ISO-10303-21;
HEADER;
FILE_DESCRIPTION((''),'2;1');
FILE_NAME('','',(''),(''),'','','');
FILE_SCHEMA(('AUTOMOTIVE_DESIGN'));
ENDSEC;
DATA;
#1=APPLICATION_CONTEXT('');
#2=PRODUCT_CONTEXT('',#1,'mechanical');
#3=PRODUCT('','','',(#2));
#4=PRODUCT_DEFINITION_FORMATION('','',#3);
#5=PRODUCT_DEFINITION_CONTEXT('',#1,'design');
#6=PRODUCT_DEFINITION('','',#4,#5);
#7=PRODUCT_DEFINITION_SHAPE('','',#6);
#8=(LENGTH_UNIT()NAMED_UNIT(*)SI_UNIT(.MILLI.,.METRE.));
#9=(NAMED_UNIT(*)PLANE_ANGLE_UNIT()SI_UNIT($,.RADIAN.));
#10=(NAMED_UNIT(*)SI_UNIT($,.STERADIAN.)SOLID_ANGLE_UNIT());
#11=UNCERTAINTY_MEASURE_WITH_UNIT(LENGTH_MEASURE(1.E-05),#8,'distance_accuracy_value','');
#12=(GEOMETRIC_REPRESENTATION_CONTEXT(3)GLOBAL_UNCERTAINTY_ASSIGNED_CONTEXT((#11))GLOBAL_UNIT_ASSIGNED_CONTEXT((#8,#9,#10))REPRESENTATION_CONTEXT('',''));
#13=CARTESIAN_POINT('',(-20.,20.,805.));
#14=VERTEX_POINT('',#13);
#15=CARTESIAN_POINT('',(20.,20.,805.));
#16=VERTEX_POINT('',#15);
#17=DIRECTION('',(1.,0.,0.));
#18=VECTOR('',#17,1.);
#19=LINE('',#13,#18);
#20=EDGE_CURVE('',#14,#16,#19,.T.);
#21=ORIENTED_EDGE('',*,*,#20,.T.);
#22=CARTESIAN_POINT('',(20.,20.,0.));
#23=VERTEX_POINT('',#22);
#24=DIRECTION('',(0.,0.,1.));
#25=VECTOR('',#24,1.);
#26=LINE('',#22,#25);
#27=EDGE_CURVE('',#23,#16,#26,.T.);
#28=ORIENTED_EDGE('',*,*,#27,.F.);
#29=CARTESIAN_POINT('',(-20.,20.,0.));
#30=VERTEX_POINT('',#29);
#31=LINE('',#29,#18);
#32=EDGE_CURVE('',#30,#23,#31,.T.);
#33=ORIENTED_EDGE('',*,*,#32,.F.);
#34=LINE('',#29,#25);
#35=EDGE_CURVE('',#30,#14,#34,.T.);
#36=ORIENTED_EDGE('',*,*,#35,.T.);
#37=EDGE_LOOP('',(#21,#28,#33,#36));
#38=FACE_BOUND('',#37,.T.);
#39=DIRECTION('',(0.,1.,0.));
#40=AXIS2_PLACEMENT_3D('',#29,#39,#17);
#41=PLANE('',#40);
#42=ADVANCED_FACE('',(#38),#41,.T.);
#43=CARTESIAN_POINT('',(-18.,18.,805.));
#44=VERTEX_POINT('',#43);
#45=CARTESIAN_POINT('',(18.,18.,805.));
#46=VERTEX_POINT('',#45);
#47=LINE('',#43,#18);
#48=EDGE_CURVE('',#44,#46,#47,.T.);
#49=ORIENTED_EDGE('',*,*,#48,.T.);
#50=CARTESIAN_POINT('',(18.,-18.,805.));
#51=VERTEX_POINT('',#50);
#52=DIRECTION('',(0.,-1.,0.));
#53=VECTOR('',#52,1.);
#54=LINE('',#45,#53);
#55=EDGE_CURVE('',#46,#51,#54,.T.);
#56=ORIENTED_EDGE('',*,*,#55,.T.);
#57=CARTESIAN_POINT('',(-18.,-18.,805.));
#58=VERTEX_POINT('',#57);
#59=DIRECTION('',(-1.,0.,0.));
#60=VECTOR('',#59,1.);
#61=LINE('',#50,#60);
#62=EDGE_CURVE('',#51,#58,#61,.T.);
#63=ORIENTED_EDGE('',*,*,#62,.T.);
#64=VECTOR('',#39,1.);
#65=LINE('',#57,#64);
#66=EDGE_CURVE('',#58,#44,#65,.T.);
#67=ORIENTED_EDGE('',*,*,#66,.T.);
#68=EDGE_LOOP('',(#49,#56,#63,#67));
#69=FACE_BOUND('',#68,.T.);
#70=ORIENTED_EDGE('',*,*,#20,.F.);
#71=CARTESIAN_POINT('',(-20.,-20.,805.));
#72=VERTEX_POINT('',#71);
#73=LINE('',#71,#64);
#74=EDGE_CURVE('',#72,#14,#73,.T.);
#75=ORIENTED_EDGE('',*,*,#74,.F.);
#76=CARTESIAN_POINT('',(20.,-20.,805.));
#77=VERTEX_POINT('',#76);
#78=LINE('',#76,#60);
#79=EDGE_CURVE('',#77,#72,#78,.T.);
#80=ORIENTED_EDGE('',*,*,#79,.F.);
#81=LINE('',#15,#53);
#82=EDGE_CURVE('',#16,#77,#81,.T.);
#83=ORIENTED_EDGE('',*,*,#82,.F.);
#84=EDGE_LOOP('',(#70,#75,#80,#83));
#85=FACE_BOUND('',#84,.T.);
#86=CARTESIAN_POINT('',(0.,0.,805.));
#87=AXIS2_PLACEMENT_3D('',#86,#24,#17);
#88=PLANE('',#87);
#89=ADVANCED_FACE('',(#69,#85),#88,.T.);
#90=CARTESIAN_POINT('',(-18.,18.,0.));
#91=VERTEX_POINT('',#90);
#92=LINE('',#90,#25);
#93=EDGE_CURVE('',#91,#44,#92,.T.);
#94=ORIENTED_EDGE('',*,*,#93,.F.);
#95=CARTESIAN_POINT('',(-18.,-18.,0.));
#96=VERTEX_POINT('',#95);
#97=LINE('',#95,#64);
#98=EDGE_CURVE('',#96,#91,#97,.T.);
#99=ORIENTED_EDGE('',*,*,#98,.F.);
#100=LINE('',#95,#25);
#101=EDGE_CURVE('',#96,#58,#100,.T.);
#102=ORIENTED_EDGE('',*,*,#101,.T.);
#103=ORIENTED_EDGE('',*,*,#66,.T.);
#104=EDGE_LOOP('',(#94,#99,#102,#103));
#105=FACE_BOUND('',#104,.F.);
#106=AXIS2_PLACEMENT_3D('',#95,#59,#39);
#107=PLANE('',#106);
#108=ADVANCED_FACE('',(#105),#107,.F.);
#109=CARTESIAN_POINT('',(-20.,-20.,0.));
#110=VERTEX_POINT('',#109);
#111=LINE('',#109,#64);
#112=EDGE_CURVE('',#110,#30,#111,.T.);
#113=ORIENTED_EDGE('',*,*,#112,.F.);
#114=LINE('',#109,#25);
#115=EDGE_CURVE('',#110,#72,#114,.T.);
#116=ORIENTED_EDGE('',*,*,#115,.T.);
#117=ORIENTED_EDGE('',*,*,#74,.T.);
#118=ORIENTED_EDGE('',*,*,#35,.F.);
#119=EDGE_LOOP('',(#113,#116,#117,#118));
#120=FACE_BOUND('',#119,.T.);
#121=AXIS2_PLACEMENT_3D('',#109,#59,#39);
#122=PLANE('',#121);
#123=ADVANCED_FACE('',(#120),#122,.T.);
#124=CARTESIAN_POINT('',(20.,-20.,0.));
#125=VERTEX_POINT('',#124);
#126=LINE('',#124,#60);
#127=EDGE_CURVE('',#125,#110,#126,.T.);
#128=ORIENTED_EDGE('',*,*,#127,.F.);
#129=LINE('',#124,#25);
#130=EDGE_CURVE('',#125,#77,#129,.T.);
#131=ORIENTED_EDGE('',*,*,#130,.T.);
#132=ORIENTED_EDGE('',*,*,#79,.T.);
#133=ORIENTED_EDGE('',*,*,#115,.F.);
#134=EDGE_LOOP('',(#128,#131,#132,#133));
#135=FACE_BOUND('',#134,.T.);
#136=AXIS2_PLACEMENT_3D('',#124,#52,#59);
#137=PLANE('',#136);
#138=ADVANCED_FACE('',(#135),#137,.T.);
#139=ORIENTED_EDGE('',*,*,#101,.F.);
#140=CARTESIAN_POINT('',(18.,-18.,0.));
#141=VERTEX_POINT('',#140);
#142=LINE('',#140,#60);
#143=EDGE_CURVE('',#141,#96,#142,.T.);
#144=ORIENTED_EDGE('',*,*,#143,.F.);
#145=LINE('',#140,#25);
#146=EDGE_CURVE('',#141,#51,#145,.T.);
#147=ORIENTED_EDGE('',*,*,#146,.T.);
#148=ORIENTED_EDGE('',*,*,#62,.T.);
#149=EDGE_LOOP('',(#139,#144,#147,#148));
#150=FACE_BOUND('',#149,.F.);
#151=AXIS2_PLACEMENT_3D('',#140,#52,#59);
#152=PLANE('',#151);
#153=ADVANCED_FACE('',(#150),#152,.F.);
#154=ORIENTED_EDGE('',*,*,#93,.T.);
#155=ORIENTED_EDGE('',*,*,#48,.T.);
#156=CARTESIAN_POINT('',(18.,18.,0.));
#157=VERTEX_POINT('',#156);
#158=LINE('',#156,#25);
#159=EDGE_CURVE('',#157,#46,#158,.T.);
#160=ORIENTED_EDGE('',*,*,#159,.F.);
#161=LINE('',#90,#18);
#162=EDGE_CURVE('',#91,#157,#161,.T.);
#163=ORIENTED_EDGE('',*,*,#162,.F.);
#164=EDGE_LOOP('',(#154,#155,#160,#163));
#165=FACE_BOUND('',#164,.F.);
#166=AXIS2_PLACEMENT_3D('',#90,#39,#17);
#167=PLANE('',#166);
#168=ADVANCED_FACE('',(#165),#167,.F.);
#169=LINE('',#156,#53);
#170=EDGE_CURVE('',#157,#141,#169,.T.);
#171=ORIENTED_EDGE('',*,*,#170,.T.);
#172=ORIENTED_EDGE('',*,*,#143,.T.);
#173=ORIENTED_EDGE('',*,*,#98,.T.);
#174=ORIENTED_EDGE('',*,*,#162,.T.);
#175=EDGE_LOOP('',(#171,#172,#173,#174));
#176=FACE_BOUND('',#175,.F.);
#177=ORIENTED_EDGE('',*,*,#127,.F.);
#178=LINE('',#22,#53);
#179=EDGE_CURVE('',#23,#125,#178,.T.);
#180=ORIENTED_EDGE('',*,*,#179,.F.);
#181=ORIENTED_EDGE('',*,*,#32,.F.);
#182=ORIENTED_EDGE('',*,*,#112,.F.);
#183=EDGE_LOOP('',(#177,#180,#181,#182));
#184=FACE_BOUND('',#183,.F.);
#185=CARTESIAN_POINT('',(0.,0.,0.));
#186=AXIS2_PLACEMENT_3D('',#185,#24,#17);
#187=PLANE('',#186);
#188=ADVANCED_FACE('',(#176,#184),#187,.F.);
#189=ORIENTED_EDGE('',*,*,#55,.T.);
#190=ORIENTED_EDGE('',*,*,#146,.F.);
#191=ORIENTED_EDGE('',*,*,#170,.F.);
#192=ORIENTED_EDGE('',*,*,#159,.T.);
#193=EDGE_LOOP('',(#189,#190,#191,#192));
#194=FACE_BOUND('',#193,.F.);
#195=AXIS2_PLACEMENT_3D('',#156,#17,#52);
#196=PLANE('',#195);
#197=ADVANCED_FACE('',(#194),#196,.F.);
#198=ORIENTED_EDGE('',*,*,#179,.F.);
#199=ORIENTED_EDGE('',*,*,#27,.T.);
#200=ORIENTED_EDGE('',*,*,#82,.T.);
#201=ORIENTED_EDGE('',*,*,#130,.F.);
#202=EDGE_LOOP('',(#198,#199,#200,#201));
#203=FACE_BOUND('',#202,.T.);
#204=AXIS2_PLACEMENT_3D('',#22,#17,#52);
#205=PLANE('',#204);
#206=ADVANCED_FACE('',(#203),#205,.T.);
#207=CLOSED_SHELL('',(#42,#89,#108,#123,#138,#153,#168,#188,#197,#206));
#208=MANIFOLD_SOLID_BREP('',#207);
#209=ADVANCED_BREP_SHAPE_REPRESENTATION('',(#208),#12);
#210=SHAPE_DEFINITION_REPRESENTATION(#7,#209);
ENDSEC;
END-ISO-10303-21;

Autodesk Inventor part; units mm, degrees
ref_plane "YZ Plane" through (0, 0, 0) normal (1, 0, 0) x (0, 1, 0)
ref_plane "XZ Plane" through (0, 0, 0) normal (0, 1, 0) x (-1, 0, 0)
ref_plane "XY Plane" through (0, 0, 0) normal (0, 0, 1) x (1, 0, 0)
sketch "Boceto1" plane through (0, 0, 0) normal (0, 0, 1) x (1, 0, 0)
  line L0 (-20, 20) -> (20, 20)
  line L1 (20, 20) -> (20, -20)
  line L2 (20, -20) -> (-20, -20)
  line L3 (-20, -20) -> (-20, 20)
  line L4 (-20, 20) -> (20, -20) construction
  line L5 (-18, 18) -> (18, 18)
  line L6 (18, 18) -> (18, -18)
  line L7 (18, -18) -> (-18, -18)
  line L8 (-18, -18) -> (-18, 18)
  line L9 (-18, 0) -> (-20, 0) construction
  line L10 (0, 18) -> (0, 20) construction
  line L11 (18, 0) -> (20, 0) construction
  line L12 (0, -18) -> (0, -20) construction
  point P0 (0, 0)
  point P1 (0, 0)
  dimension "d0" = 40
  dimension "d1" = 2
extrude "Extrusión1" add sketch "Boceto1" along normal blind 805
properties part number "C_358_40_2"
